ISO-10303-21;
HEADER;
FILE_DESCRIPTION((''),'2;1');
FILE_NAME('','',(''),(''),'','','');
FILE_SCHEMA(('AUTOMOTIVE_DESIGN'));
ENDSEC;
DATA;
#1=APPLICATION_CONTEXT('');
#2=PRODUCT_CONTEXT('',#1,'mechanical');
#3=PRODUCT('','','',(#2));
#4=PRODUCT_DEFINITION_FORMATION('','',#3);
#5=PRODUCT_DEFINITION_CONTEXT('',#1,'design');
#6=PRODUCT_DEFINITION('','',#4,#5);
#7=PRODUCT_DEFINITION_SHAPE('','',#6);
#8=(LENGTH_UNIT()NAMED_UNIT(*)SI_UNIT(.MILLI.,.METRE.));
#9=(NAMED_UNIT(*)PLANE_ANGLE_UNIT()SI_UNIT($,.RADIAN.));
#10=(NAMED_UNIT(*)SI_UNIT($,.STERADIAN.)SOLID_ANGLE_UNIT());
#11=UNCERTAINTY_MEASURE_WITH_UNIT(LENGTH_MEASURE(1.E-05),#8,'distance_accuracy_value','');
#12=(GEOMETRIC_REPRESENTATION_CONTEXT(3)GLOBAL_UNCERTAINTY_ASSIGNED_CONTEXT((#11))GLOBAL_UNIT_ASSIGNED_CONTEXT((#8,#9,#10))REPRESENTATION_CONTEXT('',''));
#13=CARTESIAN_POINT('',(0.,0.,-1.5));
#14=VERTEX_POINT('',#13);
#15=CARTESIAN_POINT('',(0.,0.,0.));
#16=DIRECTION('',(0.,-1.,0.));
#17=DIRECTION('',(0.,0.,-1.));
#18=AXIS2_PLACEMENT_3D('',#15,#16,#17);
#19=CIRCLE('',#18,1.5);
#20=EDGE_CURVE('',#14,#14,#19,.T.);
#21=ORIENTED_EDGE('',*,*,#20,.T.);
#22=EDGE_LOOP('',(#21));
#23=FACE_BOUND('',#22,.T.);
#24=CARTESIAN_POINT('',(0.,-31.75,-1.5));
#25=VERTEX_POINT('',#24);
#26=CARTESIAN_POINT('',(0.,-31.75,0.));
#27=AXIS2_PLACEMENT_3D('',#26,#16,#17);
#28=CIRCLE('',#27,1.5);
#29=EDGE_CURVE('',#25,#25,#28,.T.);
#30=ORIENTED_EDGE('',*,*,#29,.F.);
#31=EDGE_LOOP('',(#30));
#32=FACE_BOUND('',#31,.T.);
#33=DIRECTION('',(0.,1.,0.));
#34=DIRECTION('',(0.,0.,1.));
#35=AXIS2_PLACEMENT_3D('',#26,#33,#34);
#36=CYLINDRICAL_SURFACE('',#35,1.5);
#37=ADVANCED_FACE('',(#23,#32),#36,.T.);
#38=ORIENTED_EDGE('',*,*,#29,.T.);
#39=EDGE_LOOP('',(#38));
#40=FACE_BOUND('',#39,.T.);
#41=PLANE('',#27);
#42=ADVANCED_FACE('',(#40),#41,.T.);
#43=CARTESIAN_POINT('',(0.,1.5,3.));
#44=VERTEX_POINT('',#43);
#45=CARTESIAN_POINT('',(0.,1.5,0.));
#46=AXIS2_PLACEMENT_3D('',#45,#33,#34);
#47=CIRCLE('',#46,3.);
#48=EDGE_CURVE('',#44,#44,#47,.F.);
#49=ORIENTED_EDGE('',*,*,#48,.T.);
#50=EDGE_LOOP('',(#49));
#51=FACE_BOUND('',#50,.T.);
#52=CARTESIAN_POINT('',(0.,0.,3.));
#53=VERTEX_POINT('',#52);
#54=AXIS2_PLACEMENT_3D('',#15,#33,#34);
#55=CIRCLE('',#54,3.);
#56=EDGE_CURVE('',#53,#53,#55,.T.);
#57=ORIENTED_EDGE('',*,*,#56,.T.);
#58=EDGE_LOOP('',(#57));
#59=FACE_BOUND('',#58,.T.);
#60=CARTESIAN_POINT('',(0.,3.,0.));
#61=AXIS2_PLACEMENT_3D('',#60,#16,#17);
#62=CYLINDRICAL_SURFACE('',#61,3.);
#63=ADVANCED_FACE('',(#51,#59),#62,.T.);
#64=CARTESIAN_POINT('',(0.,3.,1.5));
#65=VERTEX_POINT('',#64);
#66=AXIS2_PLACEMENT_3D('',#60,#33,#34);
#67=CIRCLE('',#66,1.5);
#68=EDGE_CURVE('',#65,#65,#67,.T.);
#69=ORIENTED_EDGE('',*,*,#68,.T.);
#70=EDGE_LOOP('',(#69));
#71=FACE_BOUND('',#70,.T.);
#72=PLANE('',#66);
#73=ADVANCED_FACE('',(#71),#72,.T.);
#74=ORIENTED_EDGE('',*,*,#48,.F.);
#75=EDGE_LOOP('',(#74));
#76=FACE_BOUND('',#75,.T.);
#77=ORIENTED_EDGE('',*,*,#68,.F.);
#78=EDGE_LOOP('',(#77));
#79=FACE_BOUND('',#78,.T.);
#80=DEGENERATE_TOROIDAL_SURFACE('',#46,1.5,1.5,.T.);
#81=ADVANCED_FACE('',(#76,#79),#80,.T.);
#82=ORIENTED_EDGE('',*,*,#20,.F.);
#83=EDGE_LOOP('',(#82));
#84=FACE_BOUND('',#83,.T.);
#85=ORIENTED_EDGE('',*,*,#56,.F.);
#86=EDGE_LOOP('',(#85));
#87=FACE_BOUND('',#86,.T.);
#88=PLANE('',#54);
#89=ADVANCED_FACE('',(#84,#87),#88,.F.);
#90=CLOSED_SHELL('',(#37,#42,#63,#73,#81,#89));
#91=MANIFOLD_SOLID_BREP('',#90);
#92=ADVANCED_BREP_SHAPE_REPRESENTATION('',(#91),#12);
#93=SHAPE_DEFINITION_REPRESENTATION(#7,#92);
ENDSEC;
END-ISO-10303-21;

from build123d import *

# Parameters (mm, degrees)
SKETCH1_R           = 3
BOSS_EXTRUDE1_DEPTH = 3
FILLET1_R           = 1.5
SKETCH2_R           = 1.5
BOSS_EXTRUDE2_DEPTH = 31.75


with BuildPart() as part:
    # Sketch1 → Boss-Extrude1 (new body)
    with BuildSketch(Plane(origin=(0, 0, 0), x_dir=(1, 0, 0), z_dir=(0, 1, 0))):
        Circle(SKETCH1_R)
    extrude(amount=BOSS_EXTRUDE1_DEPTH)

    # Fillet1
    fillet1_edges = [part.edges().sort_by_distance(p)[0] for p in [
        (-3, 3, 0),
    ]]
    fillet(fillet1_edges, radius=FILLET1_R)

    # Sketch2 → Boss-Extrude2 (add)
    with BuildSketch(Plane.XZ):
        Circle(SKETCH2_R)
    extrude(amount=BOSS_EXTRUDE2_DEPTH)


solid = part.part
